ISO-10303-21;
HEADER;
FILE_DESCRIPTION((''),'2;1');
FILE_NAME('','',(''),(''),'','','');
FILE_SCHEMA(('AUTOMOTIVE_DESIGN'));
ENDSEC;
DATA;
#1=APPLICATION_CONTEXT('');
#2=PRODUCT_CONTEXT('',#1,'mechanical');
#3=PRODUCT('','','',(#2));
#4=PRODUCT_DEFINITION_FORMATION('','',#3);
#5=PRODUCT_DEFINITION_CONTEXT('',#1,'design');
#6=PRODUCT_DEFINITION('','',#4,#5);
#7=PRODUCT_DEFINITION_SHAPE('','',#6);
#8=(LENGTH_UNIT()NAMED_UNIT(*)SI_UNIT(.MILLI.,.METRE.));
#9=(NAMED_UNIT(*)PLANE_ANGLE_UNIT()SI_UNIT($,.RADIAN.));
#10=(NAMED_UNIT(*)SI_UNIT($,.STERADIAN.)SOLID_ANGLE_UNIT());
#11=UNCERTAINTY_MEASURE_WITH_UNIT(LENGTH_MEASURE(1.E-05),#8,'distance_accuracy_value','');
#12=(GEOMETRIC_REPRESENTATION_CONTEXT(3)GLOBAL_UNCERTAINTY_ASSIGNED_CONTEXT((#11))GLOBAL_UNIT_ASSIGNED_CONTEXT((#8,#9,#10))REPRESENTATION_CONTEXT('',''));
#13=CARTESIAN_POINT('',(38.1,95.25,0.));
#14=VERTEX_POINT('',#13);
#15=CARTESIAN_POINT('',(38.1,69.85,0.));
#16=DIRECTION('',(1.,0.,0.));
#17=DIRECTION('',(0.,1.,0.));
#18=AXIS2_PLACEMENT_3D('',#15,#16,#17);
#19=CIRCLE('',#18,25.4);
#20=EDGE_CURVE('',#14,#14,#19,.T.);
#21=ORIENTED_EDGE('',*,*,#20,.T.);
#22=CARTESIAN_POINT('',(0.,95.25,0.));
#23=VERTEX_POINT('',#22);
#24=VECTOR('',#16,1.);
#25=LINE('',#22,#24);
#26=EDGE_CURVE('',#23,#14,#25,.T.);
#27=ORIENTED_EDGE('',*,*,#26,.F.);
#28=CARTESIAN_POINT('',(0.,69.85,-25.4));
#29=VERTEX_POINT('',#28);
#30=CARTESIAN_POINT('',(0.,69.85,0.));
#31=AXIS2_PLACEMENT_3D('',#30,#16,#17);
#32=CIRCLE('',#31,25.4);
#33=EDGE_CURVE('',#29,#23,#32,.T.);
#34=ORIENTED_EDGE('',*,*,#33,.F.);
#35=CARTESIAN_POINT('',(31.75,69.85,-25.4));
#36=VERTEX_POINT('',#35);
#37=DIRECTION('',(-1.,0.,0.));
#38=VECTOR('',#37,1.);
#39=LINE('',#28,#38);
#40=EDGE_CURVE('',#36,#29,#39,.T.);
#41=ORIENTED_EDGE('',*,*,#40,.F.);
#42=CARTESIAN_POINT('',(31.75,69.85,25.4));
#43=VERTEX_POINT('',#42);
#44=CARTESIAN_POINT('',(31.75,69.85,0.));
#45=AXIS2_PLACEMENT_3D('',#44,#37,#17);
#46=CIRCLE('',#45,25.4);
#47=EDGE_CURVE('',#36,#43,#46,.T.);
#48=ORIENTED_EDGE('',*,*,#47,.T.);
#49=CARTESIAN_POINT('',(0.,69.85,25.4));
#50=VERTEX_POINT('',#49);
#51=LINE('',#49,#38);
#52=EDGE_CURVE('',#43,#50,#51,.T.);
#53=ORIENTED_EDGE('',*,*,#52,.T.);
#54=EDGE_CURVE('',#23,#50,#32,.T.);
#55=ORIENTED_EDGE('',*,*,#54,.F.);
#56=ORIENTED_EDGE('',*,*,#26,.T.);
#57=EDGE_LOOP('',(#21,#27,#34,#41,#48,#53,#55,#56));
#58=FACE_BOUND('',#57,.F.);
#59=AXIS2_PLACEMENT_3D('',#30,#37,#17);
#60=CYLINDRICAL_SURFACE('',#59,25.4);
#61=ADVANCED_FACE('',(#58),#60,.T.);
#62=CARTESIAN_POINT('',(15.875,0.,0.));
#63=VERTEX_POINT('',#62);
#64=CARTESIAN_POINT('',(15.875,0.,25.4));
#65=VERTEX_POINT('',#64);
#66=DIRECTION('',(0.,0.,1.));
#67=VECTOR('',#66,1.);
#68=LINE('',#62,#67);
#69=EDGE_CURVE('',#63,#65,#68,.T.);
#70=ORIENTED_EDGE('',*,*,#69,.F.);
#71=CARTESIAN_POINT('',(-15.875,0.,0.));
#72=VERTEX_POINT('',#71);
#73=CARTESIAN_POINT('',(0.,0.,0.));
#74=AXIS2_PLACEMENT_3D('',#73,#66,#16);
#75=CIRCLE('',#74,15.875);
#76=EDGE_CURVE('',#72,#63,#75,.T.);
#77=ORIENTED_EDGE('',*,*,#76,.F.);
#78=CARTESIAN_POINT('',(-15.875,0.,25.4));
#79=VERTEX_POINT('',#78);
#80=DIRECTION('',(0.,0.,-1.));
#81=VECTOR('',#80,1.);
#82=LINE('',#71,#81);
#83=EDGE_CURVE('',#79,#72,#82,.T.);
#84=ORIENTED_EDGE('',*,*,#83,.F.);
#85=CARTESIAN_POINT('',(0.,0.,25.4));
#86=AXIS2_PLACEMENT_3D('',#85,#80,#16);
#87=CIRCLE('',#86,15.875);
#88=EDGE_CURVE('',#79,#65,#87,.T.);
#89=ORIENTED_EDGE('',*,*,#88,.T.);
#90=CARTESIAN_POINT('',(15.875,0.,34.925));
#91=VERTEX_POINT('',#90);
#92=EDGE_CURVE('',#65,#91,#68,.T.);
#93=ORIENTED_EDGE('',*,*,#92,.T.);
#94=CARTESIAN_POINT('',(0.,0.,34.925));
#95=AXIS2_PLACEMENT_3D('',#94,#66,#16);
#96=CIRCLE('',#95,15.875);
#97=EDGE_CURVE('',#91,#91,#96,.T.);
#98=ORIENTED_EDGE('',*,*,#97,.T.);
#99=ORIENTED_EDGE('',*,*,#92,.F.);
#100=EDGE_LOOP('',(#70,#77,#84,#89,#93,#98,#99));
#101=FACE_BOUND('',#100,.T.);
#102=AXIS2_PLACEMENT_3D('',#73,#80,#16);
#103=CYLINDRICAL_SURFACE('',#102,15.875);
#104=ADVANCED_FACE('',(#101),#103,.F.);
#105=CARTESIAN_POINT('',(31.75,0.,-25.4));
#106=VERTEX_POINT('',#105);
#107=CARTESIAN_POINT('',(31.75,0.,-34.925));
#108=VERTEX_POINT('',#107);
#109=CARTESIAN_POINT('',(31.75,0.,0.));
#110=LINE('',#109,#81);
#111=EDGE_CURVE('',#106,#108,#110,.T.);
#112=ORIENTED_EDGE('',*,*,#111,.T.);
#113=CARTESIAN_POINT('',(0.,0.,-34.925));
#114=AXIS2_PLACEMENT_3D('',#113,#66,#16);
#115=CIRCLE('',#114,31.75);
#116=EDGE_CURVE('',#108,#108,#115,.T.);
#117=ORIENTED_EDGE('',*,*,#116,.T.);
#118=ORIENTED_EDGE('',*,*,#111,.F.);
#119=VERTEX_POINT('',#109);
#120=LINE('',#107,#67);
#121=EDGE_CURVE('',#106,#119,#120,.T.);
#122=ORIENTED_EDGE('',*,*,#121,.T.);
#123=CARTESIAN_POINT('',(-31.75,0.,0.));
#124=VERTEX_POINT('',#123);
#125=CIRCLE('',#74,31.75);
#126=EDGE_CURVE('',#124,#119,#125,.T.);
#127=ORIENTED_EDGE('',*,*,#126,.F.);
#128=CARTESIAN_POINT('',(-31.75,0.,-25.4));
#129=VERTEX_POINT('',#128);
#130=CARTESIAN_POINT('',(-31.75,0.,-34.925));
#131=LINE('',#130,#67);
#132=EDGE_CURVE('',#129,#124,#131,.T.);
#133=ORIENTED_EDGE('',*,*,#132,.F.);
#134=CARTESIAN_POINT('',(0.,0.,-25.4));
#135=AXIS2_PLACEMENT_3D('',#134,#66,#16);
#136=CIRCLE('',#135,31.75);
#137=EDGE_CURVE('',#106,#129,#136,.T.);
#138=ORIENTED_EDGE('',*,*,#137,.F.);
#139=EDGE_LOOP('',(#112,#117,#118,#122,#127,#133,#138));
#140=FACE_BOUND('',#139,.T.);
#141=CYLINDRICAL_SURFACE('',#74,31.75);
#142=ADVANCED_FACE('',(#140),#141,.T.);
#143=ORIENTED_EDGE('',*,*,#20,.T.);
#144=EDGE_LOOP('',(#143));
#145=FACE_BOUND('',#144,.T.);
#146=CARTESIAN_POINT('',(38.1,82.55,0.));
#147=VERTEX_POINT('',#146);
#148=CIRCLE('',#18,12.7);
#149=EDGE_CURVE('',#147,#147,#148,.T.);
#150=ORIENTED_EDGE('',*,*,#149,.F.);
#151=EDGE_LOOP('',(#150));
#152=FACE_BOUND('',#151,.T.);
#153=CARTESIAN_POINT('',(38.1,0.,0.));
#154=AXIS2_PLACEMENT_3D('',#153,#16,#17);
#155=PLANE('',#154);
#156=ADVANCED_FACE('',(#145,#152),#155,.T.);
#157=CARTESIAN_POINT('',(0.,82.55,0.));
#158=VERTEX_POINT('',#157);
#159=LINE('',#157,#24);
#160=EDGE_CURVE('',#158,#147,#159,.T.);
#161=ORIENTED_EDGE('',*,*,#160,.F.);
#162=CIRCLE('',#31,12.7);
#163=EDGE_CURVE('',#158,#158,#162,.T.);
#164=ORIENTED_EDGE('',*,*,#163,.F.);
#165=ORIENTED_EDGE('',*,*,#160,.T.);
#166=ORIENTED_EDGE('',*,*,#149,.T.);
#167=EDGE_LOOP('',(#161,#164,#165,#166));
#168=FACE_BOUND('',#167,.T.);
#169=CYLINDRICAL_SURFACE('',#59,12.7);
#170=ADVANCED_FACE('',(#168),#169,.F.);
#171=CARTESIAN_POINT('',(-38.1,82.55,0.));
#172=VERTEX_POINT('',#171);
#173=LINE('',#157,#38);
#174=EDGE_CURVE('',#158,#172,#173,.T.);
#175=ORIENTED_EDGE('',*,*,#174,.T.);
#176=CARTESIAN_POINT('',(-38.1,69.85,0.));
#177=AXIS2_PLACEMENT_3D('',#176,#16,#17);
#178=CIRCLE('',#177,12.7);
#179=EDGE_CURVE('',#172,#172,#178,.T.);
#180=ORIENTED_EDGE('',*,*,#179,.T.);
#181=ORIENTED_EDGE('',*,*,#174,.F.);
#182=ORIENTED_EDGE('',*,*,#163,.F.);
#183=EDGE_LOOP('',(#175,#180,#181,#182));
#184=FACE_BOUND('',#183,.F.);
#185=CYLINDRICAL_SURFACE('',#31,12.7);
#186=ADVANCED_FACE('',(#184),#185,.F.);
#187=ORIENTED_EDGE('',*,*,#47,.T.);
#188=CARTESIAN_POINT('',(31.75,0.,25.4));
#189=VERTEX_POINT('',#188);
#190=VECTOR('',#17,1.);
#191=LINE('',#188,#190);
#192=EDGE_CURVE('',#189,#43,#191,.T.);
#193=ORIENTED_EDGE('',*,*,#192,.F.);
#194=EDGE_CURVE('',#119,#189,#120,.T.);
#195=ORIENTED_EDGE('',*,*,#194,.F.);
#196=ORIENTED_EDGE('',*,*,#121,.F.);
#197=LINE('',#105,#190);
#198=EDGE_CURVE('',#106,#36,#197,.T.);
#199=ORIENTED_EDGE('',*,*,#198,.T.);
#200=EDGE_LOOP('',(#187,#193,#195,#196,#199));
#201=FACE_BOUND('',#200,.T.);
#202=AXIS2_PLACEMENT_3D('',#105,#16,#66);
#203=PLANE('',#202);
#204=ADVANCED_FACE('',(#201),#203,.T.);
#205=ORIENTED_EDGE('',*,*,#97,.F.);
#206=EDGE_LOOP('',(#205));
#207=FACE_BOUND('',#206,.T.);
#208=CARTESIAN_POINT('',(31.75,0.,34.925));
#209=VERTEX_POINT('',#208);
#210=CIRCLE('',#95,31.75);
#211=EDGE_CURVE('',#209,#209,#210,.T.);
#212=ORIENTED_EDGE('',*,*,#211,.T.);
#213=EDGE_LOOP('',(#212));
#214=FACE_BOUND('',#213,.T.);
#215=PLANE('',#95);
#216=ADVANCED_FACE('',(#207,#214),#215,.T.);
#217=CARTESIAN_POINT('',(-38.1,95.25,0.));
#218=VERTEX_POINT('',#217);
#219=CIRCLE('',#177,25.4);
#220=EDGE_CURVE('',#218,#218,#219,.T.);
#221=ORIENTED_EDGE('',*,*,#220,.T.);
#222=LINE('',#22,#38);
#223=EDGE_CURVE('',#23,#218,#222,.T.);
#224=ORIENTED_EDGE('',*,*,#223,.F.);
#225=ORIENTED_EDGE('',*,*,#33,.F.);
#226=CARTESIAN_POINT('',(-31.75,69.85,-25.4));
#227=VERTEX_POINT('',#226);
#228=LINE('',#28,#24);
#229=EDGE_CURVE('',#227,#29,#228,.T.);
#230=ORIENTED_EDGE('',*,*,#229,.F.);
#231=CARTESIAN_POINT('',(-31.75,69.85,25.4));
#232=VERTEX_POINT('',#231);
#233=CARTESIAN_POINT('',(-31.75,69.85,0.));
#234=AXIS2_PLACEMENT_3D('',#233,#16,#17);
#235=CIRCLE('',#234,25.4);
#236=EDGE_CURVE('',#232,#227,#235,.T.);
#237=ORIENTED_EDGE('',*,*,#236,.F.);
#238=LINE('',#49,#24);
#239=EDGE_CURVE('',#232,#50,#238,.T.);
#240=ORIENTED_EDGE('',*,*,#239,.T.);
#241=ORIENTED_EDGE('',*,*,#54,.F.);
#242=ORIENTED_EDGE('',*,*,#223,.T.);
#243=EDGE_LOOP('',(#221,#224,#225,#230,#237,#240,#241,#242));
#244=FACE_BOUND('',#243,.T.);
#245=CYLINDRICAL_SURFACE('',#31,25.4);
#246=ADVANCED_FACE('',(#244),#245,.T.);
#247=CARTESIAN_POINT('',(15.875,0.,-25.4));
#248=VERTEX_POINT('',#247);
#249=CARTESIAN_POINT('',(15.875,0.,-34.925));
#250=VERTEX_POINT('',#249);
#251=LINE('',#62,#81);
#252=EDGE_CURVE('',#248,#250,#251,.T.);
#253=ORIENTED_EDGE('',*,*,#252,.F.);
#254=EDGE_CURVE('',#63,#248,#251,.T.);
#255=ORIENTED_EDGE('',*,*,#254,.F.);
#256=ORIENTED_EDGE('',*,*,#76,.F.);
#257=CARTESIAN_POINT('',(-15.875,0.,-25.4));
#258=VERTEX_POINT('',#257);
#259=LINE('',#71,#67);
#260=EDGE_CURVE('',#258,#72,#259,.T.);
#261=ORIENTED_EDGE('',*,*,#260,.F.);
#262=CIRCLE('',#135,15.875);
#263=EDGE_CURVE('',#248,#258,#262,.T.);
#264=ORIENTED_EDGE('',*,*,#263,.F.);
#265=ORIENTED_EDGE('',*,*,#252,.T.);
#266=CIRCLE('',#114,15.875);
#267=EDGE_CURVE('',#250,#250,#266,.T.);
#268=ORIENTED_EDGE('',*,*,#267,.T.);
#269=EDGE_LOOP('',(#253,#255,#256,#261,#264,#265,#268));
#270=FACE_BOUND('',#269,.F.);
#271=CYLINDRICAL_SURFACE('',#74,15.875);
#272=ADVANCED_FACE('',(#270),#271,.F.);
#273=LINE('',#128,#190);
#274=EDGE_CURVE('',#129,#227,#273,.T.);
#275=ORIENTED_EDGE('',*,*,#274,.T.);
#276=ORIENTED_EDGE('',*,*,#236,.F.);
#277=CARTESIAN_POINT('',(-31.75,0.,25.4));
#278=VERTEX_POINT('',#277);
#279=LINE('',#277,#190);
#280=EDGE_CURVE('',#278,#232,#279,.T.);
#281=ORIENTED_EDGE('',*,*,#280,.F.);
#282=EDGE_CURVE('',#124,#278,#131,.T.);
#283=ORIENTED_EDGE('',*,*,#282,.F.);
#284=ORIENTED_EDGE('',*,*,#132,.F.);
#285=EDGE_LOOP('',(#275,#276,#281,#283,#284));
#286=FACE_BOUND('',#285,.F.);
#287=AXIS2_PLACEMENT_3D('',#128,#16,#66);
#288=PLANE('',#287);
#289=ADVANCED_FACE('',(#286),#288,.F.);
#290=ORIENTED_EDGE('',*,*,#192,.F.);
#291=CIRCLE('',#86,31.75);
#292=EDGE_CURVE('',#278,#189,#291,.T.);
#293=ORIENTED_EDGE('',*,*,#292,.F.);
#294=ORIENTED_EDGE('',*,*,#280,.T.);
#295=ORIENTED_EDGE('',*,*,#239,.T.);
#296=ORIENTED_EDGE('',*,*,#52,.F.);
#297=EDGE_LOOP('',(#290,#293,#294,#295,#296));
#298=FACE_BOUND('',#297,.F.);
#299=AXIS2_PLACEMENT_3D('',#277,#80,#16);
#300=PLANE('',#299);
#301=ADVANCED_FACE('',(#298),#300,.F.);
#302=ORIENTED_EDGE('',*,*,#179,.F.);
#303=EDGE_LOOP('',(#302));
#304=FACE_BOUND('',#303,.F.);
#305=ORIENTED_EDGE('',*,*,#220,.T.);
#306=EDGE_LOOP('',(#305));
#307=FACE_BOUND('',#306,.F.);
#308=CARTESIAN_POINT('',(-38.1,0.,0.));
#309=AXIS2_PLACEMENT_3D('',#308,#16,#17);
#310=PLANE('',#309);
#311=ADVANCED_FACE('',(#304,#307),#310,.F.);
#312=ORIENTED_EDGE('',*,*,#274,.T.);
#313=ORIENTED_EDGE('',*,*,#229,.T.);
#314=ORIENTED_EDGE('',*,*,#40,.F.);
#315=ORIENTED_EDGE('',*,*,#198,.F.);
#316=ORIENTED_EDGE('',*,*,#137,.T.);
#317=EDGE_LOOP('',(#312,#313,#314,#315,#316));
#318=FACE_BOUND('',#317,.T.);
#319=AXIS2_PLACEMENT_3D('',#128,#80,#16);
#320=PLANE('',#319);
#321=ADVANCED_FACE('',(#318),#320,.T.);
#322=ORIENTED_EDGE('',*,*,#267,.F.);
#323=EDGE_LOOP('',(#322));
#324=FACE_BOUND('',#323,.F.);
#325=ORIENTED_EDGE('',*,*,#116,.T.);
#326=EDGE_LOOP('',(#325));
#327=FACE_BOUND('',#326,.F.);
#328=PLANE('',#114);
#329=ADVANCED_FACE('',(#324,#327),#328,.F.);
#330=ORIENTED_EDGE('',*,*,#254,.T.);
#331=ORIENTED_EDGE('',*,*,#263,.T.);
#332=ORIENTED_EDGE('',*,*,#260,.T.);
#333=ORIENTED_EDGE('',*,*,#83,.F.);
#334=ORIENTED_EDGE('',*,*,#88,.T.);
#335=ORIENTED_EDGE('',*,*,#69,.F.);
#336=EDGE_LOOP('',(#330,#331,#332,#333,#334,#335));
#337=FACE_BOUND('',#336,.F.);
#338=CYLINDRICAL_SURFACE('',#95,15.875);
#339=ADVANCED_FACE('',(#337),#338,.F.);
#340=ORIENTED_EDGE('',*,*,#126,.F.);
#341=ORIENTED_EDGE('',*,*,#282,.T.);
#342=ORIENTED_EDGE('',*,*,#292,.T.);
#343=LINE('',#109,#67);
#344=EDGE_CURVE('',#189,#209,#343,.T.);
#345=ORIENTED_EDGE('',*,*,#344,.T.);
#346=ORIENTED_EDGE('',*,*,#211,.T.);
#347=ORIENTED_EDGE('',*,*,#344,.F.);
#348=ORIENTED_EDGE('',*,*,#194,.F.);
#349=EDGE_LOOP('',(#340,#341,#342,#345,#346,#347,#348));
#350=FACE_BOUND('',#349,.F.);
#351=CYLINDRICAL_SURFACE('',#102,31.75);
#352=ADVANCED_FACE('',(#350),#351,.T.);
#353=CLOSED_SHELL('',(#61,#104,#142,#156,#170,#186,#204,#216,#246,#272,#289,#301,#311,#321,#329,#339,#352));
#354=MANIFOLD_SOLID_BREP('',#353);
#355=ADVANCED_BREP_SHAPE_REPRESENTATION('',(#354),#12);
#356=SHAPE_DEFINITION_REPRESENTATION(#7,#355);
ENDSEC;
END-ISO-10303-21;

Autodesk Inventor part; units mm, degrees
ref_plane "YZ Plane" through (0, 0, 0) normal (1, 0, 0) x (0, 1, 0)
ref_plane "XZ Plane" through (0, 0, 0) normal (0, 1, 0) x (-1, 0, 0)
ref_plane "XY Plane" through (0, 0, 0) normal (0, 0, 1) x (1, 0, 0)
sketch "Sketch1" plane through (0, 0, 0) normal (0, 0, 1) x (1, 0, 0)
  circle A0 centre (0, 0) radius 31.75
  circle A1 centre (0, 0) radius 15.875
  dimension "d0" = 63.5
  dimension "d1" = 31.75
extrude "Extrusion1" add sketch "Sketch1" along normal mid plane 69.85
sketch "Sketch2" plane through (0, 0, 0) normal (1, 0, 0) x (0, 1, 0)
  line L0 (0, 0) -> (69.85, 0) construction
  circle A0 centre (69.85, 0) radius 25.4
  circle A1 centre (69.85, 0) radius 12.7
  dimension "d4" = 69.85
  dimension "d5" = 50.8
  dimension "d6" = 25.4
extrude "Extrusion2" add sketch "Sketch2" along normal mid plane 76.2
sketch "Sketch3" plane through (0, 0, 0) normal (0, 1, 0) x (-1, 0, 0)
  line L0 (-31.75, -34.925) -> (31.75, -34.925) projected
  line L1 (31.75, 34.925) -> (-31.75, 34.925) projected
  line L2 (-31.75, -34.925) -> (-31.75, 34.925) projected
  line L3 (31.75, -34.925) -> (31.75, 34.925) projected
  line L4 (38.1, -25.4) -> (38.1, 25.4) projected
  line L5 (-38.1, 25.4) -> (-38.1, -25.4) projected
  line L6 (38.1, 25.4) -> (-38.1, 25.4) projected
  line L7 (38.1, -25.4) -> (-38.1, -25.4) projected
  line L8 (31.75, 25.4) -> (-31.75, 25.4)
  line L9 (-31.75, -25.4) -> (-31.75, 25.4)
  line L10 (-31.75, -25.4) -> (31.75, -25.4)
  line L11 (31.75, 25.4) -> (31.75, -25.4)
  point P0 (0, 0)
extrude "Extrusion3" add sketch "Sketch3" along normal up to surface contours L2 L6 L3 L7
sketch "Sketch4" plane through (0, 0, 34.925) normal (0, 0, 1) x (1, 0, 0)
  circle A0 centre (0, 0) radius 15.875
extrude "Extrusion4" cut sketch "Sketch4" against normal through all
properties part number "TubeSpacer"
